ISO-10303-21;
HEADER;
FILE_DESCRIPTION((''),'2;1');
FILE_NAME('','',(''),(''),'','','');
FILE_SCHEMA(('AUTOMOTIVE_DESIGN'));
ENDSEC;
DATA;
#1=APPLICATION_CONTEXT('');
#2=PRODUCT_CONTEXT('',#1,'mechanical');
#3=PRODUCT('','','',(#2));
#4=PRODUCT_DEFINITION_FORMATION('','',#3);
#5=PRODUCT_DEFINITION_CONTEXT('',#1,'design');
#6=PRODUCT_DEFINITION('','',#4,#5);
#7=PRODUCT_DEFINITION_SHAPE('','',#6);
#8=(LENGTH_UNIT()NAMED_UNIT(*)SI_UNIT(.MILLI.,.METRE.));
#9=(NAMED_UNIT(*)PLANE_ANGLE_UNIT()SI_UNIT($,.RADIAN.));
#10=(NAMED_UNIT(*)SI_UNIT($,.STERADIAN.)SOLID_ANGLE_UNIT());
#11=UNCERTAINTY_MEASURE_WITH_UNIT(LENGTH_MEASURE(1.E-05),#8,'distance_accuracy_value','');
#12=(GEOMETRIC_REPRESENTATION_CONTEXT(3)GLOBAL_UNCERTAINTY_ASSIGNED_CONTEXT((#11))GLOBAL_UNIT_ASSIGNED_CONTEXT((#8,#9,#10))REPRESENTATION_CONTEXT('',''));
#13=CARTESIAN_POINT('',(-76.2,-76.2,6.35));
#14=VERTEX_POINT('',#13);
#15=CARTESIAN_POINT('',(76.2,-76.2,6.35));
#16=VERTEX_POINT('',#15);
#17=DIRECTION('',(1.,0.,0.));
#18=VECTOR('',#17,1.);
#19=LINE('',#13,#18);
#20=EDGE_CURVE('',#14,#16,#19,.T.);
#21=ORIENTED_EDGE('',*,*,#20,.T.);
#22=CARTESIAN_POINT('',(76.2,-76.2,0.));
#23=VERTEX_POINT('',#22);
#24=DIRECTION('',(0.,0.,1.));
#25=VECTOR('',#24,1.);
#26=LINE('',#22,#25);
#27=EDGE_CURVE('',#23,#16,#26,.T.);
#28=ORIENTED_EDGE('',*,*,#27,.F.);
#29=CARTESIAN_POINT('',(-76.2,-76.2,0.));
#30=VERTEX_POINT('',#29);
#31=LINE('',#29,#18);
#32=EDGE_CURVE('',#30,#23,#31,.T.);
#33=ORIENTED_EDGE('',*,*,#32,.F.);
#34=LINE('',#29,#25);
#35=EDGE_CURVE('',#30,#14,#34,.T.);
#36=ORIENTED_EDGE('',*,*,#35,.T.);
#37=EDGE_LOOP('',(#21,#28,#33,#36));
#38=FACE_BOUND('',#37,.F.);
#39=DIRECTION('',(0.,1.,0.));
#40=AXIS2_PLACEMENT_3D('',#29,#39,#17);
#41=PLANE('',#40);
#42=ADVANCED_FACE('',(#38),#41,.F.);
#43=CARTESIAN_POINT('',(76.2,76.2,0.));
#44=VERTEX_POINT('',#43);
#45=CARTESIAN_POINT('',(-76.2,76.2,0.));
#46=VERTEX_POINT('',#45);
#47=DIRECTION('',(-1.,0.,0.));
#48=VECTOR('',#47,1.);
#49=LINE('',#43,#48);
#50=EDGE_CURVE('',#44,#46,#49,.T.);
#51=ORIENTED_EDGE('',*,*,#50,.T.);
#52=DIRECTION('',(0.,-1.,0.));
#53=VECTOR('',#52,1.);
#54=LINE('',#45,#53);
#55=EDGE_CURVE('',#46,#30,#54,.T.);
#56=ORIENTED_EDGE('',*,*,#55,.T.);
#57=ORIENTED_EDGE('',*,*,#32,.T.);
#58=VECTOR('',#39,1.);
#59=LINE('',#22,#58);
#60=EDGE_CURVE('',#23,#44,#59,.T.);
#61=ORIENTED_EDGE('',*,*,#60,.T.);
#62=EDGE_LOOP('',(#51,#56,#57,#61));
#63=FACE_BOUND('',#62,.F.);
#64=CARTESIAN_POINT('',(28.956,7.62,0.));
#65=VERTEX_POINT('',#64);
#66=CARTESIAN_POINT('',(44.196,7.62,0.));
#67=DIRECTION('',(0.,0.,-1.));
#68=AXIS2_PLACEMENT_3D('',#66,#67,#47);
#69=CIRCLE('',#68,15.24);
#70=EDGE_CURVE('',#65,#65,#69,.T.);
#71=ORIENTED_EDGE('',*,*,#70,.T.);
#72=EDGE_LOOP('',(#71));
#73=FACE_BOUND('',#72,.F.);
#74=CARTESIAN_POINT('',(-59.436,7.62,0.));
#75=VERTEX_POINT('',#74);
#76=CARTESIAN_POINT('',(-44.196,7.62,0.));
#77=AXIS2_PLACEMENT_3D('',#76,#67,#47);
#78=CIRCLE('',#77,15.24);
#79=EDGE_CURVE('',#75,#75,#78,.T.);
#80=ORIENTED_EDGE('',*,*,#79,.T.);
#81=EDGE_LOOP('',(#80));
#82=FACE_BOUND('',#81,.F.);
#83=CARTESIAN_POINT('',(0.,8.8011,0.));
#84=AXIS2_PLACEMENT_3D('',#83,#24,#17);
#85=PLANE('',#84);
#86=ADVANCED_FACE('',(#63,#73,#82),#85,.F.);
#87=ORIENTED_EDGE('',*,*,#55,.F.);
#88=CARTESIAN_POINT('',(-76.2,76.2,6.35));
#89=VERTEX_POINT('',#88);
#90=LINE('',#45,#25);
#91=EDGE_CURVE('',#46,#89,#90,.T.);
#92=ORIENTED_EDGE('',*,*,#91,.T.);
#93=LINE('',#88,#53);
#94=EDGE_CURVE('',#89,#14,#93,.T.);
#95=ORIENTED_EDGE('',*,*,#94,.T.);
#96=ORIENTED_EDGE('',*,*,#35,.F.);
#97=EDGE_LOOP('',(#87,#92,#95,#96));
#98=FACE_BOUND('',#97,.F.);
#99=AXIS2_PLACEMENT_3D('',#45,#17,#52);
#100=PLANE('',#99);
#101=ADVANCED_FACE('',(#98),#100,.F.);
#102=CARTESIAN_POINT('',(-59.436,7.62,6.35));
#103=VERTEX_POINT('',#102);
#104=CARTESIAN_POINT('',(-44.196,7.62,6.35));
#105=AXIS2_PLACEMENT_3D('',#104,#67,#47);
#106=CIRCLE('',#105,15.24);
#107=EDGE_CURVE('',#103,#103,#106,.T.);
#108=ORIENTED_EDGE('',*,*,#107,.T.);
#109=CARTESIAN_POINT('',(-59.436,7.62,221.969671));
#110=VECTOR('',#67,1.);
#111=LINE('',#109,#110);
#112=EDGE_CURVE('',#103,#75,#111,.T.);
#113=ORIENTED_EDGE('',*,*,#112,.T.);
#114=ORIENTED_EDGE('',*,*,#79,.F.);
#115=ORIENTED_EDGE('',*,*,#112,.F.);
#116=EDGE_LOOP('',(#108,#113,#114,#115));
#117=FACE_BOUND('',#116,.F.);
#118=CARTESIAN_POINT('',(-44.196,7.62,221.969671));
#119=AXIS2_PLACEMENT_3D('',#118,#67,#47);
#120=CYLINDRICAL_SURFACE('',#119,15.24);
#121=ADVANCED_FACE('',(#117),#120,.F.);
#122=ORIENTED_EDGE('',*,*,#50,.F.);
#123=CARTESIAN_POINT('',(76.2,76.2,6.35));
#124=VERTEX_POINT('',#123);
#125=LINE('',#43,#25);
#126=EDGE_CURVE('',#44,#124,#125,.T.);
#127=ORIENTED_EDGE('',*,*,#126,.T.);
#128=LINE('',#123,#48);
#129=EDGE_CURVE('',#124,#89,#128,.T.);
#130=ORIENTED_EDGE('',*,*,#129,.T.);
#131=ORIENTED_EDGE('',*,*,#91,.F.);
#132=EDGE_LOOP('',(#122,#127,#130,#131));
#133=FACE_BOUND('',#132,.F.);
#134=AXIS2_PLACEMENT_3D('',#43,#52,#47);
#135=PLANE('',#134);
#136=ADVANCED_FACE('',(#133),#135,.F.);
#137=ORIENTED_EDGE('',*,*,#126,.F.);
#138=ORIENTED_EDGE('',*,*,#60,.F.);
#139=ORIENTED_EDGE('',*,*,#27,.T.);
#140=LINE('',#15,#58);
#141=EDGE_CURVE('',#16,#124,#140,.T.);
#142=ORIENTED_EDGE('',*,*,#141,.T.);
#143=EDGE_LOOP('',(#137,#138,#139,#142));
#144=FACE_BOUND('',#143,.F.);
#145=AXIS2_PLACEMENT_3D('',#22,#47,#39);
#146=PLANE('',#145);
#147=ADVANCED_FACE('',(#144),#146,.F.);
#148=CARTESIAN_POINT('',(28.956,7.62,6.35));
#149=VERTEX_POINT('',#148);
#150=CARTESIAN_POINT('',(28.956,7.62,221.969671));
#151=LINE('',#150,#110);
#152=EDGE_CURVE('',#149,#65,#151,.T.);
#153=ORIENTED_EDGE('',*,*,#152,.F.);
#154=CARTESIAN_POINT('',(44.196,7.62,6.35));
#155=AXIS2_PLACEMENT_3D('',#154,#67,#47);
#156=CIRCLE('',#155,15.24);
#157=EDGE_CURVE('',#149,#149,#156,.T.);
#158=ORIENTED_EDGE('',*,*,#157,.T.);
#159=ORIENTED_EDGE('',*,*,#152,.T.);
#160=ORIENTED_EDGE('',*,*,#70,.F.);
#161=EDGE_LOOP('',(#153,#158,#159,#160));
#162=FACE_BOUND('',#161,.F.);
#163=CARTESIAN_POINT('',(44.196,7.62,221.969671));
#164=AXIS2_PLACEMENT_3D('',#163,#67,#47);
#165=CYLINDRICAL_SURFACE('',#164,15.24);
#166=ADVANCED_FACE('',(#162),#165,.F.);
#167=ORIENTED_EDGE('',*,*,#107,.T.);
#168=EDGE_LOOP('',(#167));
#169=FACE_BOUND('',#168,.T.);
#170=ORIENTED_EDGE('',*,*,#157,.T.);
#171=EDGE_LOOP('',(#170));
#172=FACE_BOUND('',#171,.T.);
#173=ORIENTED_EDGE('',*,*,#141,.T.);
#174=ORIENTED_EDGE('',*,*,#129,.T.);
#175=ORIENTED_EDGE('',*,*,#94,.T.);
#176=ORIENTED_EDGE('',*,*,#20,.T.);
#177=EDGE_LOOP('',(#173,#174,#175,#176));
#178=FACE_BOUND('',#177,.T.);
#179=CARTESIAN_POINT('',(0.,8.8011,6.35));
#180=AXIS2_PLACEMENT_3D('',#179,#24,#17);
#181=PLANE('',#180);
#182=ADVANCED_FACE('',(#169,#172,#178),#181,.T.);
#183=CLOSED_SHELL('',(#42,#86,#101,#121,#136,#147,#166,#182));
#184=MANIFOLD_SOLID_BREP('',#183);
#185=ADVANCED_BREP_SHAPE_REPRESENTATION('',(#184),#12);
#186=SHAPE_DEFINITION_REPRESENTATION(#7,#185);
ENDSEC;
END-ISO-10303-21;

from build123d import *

# Parameters (mm, degrees)
F0_W     = 32.004
F0_H     = 83.82
F1_DEPTH = 6.35
F3_D     = 30.48


with BuildPart() as f1:
    # F0 (on Top) → F1 (new body)
    with BuildSketch(Plane.XY):
        Polygon((-44.196, -76.2), (44.196, -76.2), (44.196, 7.62), (76.2, 7.62), (76.2, 76.2), (-76.2, 76.2), (-76.2, 7.62), (-44.196, 7.62), align=None)
        with Locations((-60.198, -34.29)):
            Rectangle(F0_W, F0_H)
        with Locations((60.198, -34.29)):
            Rectangle(F0_W, F0_H)
    extrude(amount=F1_DEPTH)

    # F3 (through all)
    with Locations(Plane.XY.offset(6.35)):
        with Locations((-44.196, 7.62), (44.196, 7.62)):
            Hole(F3_D / 2)


solid = f1.part
